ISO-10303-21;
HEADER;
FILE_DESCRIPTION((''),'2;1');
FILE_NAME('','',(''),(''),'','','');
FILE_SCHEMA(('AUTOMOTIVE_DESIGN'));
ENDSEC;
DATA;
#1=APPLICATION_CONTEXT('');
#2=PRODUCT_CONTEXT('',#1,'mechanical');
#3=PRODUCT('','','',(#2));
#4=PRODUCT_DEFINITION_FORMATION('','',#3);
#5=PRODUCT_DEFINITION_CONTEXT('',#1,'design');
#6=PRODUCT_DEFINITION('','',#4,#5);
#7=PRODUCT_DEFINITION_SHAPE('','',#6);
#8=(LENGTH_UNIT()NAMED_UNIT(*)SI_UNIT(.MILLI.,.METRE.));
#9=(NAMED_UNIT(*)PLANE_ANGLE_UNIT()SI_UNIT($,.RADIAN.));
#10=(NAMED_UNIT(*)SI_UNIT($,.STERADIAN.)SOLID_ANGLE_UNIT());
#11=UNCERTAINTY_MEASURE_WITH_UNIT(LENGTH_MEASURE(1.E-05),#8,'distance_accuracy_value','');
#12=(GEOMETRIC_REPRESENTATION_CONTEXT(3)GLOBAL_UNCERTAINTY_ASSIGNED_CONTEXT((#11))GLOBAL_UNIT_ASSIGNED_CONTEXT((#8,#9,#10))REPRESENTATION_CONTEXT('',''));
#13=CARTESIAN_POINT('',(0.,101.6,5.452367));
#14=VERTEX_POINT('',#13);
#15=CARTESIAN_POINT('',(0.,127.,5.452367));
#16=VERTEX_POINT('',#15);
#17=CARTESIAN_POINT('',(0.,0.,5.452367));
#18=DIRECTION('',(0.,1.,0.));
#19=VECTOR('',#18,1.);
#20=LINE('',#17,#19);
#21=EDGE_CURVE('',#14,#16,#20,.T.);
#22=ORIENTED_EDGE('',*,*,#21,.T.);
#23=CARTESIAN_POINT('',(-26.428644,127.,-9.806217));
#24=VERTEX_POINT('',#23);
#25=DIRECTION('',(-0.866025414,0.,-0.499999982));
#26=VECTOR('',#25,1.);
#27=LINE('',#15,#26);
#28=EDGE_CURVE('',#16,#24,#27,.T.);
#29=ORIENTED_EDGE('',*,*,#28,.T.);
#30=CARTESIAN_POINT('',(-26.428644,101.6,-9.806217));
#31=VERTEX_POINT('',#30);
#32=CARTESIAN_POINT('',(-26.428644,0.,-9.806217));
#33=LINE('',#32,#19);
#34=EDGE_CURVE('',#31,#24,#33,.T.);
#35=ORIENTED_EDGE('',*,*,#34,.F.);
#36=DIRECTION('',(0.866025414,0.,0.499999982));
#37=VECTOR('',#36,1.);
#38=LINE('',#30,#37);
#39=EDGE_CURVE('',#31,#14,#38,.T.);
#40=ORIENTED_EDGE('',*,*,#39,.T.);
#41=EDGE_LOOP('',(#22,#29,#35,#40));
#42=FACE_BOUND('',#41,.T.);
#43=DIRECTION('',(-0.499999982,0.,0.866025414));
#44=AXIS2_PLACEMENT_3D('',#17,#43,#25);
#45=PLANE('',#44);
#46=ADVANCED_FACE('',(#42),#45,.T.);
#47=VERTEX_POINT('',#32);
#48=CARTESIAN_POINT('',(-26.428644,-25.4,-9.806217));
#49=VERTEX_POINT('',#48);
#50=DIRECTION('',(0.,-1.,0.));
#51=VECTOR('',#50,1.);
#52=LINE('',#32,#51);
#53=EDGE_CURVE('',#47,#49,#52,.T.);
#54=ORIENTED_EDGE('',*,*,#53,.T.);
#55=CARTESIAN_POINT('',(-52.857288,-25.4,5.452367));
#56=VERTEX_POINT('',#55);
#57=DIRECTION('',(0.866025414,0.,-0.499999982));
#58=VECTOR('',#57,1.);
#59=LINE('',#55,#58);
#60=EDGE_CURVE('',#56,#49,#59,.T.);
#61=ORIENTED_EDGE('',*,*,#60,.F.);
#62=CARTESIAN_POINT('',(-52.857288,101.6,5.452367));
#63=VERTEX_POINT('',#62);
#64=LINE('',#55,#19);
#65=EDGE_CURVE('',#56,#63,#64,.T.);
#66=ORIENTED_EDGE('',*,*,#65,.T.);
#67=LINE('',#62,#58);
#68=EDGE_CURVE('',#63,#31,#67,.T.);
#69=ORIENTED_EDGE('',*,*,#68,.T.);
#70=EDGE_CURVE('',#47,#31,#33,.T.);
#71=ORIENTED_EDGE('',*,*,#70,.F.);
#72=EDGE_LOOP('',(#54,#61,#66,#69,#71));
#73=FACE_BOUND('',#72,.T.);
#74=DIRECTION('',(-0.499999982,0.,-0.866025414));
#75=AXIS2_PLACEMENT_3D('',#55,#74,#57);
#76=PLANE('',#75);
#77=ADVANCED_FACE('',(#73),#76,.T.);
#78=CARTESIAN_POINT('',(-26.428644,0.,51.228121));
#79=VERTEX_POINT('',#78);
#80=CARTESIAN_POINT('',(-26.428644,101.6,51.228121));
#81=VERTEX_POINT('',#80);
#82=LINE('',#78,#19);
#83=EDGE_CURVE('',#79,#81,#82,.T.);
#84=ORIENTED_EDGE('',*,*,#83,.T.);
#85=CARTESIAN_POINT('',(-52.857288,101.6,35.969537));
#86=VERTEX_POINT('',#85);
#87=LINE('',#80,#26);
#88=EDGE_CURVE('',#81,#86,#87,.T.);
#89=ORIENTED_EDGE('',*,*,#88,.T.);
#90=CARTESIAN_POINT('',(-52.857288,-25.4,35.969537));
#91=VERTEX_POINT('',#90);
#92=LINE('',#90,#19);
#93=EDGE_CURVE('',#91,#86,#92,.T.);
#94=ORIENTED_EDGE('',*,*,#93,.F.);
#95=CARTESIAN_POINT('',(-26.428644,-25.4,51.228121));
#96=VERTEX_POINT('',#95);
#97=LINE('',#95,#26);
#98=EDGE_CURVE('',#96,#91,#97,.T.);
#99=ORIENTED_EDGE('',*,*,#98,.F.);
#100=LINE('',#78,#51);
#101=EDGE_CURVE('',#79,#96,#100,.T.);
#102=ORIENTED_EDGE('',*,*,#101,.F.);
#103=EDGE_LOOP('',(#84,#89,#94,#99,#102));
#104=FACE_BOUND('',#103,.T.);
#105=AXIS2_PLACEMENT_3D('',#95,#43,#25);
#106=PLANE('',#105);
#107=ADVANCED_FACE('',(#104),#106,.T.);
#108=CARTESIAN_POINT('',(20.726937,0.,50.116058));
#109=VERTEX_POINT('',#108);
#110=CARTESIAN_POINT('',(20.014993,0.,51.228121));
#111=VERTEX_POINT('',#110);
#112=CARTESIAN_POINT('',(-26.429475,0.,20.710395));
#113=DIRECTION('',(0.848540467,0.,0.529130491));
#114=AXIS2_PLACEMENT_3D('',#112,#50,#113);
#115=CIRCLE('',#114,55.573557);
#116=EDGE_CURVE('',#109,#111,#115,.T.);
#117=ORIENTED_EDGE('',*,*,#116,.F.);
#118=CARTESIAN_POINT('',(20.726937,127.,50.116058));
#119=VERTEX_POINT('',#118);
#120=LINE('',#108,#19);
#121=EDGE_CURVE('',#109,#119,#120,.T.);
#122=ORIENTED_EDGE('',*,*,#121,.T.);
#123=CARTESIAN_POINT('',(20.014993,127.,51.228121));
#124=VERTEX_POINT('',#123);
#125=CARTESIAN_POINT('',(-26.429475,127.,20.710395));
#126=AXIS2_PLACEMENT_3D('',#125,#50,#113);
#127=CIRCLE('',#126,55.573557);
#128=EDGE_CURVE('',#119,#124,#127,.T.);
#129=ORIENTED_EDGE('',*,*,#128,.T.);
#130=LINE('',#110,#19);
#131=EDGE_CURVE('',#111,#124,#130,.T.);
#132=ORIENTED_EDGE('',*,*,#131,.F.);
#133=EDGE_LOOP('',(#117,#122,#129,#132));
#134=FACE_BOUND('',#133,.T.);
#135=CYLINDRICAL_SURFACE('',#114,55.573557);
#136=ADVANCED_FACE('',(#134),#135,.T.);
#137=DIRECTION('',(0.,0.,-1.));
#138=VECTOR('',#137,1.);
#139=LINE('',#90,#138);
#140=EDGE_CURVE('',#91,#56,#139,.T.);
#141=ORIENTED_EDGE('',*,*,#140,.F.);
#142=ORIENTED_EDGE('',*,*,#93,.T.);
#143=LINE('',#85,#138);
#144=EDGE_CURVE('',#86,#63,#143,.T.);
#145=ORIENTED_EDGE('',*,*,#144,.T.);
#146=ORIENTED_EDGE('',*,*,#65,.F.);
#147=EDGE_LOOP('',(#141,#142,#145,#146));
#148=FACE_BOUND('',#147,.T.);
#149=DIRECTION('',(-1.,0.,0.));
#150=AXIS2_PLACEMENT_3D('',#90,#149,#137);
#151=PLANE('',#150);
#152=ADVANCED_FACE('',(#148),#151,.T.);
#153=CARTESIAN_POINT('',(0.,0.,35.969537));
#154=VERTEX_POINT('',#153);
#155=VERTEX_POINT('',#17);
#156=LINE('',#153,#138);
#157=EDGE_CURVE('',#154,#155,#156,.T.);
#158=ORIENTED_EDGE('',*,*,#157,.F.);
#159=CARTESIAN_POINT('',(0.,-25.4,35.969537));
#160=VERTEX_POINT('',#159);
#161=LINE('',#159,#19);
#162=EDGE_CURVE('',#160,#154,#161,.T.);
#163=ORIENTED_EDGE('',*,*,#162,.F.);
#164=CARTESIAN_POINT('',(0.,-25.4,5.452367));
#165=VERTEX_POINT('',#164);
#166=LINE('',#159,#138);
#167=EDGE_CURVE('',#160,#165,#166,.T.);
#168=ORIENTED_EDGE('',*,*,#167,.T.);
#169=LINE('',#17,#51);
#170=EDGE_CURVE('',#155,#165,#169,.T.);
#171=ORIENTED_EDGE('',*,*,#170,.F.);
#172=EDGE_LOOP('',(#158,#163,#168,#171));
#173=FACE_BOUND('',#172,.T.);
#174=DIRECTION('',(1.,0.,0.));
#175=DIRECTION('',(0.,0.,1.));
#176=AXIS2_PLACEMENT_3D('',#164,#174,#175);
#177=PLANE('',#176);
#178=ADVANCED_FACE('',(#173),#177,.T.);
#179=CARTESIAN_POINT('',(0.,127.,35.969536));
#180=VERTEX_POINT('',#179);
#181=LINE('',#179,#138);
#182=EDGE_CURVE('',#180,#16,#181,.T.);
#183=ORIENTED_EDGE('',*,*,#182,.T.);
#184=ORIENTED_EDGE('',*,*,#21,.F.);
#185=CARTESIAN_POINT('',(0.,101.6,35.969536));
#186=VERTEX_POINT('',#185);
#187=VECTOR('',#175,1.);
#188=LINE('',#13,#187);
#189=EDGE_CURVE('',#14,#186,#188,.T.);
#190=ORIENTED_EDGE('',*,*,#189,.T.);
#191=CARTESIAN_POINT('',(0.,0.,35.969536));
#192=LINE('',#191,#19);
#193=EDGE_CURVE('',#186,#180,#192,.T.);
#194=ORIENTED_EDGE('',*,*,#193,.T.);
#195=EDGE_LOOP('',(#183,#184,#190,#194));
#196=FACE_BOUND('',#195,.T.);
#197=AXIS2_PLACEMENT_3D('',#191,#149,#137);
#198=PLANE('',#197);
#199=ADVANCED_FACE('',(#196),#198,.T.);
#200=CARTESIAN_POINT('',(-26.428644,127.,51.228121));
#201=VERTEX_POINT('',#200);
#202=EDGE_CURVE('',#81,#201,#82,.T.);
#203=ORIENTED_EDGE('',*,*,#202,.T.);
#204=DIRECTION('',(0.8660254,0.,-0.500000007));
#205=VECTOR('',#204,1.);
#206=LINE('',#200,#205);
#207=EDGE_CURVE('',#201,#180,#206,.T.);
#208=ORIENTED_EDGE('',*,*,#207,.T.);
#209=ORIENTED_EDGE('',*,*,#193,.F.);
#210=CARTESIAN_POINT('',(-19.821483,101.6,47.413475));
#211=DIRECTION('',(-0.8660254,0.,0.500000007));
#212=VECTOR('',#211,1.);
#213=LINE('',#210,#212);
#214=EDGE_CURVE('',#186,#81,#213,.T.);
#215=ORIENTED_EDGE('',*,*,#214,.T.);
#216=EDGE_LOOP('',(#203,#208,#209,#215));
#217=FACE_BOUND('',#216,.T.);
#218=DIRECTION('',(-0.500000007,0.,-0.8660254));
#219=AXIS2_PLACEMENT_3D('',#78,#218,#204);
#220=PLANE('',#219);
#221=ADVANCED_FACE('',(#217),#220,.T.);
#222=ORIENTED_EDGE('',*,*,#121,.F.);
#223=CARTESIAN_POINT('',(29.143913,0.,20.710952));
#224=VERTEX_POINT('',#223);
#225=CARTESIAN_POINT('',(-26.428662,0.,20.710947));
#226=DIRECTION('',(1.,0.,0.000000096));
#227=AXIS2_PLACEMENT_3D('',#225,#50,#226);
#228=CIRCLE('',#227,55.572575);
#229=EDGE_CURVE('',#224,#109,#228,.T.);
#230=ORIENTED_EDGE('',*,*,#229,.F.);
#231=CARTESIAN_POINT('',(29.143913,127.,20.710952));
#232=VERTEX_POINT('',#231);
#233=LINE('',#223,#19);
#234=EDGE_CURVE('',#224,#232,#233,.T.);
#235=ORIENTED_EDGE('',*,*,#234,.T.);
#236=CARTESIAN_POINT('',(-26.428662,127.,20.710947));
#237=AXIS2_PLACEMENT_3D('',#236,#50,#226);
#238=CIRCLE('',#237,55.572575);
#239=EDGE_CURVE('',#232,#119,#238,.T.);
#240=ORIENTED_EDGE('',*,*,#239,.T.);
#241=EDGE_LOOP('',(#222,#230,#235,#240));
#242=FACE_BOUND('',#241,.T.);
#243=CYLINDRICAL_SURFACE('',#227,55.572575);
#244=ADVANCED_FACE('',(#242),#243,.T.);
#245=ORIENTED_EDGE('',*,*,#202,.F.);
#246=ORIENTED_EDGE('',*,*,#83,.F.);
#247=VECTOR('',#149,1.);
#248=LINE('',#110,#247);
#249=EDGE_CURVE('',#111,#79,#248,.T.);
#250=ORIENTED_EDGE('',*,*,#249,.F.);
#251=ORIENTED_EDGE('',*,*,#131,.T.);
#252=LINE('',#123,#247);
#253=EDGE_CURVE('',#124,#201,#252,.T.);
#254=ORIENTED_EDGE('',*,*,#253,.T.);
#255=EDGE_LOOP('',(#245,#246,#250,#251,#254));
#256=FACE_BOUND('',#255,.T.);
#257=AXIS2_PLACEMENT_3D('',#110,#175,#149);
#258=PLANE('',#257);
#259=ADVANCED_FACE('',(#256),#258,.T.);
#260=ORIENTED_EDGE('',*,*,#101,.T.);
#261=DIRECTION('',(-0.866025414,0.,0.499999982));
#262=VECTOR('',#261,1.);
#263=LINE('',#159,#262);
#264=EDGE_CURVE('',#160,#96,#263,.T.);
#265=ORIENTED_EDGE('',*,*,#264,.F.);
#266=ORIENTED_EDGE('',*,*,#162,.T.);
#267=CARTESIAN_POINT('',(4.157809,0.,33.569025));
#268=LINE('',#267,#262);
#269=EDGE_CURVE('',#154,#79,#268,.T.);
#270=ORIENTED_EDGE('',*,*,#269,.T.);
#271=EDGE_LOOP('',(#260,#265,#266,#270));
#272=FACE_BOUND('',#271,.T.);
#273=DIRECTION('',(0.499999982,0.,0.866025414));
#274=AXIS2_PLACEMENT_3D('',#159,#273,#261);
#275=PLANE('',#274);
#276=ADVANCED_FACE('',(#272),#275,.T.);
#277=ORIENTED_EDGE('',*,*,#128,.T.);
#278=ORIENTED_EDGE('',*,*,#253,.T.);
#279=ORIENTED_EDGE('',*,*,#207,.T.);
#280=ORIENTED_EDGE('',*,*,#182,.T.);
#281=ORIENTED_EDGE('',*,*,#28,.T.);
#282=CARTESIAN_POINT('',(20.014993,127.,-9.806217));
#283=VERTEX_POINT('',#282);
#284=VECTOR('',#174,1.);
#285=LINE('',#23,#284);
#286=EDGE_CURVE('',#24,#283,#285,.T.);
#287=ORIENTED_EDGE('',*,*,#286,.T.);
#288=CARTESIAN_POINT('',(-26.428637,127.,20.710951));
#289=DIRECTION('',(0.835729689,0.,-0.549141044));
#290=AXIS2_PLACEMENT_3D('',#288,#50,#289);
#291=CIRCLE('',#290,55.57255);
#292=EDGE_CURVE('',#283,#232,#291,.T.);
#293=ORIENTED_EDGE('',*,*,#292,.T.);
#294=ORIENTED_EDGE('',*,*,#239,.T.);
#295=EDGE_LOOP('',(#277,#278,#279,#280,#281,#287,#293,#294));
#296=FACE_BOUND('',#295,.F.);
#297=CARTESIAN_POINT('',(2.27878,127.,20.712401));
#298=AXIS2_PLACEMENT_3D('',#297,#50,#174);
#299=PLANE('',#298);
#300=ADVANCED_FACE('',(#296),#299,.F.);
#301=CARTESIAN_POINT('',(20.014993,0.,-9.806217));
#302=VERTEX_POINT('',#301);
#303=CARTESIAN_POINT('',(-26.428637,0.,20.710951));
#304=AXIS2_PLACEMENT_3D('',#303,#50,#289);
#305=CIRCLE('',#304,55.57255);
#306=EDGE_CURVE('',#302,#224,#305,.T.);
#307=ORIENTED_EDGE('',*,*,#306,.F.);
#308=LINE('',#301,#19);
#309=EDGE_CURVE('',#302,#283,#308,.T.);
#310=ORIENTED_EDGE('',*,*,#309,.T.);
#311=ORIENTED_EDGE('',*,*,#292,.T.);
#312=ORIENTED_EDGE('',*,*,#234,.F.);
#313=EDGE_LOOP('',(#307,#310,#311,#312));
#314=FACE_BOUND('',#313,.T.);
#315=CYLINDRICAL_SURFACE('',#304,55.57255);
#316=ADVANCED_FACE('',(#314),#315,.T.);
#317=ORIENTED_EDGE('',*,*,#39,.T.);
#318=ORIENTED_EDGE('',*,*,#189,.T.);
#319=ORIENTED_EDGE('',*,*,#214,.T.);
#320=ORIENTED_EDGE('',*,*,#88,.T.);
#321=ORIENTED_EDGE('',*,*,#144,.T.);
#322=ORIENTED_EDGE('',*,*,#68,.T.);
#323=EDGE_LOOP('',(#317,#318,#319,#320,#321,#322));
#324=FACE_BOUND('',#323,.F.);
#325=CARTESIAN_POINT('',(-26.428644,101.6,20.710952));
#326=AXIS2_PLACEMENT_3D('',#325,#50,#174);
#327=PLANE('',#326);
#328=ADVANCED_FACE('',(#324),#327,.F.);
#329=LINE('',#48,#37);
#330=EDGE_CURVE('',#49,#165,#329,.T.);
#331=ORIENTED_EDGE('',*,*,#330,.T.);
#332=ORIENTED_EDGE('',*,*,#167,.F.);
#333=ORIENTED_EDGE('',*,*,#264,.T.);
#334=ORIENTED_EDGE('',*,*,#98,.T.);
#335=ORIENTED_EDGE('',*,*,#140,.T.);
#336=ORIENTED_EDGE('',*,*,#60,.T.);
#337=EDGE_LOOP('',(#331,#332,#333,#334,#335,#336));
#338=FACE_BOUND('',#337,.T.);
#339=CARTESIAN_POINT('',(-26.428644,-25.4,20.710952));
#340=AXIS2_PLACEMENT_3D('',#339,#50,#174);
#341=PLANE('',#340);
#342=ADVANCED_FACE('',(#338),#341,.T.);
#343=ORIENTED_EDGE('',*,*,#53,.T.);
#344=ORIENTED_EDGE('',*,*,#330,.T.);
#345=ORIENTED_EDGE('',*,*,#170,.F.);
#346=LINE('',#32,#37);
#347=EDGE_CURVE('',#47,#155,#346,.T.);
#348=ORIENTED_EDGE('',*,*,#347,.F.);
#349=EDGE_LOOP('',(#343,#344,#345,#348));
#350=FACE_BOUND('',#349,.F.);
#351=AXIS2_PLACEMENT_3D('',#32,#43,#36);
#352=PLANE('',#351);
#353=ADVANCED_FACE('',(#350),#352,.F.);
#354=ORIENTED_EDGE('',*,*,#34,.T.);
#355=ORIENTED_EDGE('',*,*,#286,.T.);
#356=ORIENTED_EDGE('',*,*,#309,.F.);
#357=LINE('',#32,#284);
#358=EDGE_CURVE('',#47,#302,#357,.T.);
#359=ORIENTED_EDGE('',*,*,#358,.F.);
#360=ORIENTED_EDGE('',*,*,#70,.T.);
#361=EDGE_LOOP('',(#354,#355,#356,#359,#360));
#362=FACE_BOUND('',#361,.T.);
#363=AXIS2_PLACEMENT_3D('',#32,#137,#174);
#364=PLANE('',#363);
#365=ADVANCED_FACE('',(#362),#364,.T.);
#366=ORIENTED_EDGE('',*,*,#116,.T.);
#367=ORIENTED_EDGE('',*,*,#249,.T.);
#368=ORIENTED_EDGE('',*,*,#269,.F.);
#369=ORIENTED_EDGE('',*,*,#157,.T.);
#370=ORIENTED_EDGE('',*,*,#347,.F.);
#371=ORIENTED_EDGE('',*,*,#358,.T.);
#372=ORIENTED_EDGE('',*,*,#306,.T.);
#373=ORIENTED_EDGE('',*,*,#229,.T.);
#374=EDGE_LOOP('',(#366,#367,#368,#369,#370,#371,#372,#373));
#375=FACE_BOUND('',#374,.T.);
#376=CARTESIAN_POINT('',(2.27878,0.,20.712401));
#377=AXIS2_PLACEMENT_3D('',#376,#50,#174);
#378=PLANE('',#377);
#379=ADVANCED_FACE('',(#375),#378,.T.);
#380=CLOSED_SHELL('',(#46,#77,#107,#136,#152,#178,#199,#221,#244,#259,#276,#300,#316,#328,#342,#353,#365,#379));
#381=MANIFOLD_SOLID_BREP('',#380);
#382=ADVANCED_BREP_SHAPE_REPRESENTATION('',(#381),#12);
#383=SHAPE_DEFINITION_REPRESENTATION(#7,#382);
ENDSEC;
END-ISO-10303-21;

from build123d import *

# Parameters (mm, degrees)
F1_DEPTH = 25.4
F2_DEPTH = 127


with BuildPart() as f1:
    # F0 (on Front) → F1 (new body)
    with BuildSketch(Plane.XZ):
        Polygon((0, 5.452367), (0, 35.969536), (-26.428644, 51.228121), (-52.857287, 35.969536), (-52.857287, 5.452367), (-26.428644, -9.806217), align=None)
    extrude(amount=F1_DEPTH)

    # F0 (on Front) + F1_face (on face) → F2 (join)
    with BuildSketch(Plane.XZ):
        with BuildLine():
            Line((-26.428644, 51.228121), (0, 35.969536))
            Line((0, 35.969536), (0, 5.452367))
            Line((0, 5.452367), (-26.428644, -9.806217))
            Line((-26.428644, -9.806217), (20.014993, -9.806217))
            ThreePointArc((20.014993, -9.806217), (26.812791, 4.784286), (29.143913, 20.710952))
            ThreePointArc((29.143913, 20.710952), (26.998246, 36.003971), (20.726937, 50.116058))
            ThreePointArc((20.726937, 50.116058), (20.374268, 50.674204), (20.014993, 51.228121))
            Line((20.014993, 51.228121), (-26.428644, 51.228121))
        make_face()
    with BuildSketch(Plane(origin=(-26.428644, -25.4, 20.710952), x_dir=(1, 0, 0), z_dir=(0, -1, 0))):
        Polygon((0, -30.517169), (26.428644, -15.258585), (26.428644, 15.258585), (0, 30.517169), (-26.428644, 15.258585), (-26.428644, -15.258585), align=None)
    extrude(amount=-F2_DEPTH)


solid = f1.part
